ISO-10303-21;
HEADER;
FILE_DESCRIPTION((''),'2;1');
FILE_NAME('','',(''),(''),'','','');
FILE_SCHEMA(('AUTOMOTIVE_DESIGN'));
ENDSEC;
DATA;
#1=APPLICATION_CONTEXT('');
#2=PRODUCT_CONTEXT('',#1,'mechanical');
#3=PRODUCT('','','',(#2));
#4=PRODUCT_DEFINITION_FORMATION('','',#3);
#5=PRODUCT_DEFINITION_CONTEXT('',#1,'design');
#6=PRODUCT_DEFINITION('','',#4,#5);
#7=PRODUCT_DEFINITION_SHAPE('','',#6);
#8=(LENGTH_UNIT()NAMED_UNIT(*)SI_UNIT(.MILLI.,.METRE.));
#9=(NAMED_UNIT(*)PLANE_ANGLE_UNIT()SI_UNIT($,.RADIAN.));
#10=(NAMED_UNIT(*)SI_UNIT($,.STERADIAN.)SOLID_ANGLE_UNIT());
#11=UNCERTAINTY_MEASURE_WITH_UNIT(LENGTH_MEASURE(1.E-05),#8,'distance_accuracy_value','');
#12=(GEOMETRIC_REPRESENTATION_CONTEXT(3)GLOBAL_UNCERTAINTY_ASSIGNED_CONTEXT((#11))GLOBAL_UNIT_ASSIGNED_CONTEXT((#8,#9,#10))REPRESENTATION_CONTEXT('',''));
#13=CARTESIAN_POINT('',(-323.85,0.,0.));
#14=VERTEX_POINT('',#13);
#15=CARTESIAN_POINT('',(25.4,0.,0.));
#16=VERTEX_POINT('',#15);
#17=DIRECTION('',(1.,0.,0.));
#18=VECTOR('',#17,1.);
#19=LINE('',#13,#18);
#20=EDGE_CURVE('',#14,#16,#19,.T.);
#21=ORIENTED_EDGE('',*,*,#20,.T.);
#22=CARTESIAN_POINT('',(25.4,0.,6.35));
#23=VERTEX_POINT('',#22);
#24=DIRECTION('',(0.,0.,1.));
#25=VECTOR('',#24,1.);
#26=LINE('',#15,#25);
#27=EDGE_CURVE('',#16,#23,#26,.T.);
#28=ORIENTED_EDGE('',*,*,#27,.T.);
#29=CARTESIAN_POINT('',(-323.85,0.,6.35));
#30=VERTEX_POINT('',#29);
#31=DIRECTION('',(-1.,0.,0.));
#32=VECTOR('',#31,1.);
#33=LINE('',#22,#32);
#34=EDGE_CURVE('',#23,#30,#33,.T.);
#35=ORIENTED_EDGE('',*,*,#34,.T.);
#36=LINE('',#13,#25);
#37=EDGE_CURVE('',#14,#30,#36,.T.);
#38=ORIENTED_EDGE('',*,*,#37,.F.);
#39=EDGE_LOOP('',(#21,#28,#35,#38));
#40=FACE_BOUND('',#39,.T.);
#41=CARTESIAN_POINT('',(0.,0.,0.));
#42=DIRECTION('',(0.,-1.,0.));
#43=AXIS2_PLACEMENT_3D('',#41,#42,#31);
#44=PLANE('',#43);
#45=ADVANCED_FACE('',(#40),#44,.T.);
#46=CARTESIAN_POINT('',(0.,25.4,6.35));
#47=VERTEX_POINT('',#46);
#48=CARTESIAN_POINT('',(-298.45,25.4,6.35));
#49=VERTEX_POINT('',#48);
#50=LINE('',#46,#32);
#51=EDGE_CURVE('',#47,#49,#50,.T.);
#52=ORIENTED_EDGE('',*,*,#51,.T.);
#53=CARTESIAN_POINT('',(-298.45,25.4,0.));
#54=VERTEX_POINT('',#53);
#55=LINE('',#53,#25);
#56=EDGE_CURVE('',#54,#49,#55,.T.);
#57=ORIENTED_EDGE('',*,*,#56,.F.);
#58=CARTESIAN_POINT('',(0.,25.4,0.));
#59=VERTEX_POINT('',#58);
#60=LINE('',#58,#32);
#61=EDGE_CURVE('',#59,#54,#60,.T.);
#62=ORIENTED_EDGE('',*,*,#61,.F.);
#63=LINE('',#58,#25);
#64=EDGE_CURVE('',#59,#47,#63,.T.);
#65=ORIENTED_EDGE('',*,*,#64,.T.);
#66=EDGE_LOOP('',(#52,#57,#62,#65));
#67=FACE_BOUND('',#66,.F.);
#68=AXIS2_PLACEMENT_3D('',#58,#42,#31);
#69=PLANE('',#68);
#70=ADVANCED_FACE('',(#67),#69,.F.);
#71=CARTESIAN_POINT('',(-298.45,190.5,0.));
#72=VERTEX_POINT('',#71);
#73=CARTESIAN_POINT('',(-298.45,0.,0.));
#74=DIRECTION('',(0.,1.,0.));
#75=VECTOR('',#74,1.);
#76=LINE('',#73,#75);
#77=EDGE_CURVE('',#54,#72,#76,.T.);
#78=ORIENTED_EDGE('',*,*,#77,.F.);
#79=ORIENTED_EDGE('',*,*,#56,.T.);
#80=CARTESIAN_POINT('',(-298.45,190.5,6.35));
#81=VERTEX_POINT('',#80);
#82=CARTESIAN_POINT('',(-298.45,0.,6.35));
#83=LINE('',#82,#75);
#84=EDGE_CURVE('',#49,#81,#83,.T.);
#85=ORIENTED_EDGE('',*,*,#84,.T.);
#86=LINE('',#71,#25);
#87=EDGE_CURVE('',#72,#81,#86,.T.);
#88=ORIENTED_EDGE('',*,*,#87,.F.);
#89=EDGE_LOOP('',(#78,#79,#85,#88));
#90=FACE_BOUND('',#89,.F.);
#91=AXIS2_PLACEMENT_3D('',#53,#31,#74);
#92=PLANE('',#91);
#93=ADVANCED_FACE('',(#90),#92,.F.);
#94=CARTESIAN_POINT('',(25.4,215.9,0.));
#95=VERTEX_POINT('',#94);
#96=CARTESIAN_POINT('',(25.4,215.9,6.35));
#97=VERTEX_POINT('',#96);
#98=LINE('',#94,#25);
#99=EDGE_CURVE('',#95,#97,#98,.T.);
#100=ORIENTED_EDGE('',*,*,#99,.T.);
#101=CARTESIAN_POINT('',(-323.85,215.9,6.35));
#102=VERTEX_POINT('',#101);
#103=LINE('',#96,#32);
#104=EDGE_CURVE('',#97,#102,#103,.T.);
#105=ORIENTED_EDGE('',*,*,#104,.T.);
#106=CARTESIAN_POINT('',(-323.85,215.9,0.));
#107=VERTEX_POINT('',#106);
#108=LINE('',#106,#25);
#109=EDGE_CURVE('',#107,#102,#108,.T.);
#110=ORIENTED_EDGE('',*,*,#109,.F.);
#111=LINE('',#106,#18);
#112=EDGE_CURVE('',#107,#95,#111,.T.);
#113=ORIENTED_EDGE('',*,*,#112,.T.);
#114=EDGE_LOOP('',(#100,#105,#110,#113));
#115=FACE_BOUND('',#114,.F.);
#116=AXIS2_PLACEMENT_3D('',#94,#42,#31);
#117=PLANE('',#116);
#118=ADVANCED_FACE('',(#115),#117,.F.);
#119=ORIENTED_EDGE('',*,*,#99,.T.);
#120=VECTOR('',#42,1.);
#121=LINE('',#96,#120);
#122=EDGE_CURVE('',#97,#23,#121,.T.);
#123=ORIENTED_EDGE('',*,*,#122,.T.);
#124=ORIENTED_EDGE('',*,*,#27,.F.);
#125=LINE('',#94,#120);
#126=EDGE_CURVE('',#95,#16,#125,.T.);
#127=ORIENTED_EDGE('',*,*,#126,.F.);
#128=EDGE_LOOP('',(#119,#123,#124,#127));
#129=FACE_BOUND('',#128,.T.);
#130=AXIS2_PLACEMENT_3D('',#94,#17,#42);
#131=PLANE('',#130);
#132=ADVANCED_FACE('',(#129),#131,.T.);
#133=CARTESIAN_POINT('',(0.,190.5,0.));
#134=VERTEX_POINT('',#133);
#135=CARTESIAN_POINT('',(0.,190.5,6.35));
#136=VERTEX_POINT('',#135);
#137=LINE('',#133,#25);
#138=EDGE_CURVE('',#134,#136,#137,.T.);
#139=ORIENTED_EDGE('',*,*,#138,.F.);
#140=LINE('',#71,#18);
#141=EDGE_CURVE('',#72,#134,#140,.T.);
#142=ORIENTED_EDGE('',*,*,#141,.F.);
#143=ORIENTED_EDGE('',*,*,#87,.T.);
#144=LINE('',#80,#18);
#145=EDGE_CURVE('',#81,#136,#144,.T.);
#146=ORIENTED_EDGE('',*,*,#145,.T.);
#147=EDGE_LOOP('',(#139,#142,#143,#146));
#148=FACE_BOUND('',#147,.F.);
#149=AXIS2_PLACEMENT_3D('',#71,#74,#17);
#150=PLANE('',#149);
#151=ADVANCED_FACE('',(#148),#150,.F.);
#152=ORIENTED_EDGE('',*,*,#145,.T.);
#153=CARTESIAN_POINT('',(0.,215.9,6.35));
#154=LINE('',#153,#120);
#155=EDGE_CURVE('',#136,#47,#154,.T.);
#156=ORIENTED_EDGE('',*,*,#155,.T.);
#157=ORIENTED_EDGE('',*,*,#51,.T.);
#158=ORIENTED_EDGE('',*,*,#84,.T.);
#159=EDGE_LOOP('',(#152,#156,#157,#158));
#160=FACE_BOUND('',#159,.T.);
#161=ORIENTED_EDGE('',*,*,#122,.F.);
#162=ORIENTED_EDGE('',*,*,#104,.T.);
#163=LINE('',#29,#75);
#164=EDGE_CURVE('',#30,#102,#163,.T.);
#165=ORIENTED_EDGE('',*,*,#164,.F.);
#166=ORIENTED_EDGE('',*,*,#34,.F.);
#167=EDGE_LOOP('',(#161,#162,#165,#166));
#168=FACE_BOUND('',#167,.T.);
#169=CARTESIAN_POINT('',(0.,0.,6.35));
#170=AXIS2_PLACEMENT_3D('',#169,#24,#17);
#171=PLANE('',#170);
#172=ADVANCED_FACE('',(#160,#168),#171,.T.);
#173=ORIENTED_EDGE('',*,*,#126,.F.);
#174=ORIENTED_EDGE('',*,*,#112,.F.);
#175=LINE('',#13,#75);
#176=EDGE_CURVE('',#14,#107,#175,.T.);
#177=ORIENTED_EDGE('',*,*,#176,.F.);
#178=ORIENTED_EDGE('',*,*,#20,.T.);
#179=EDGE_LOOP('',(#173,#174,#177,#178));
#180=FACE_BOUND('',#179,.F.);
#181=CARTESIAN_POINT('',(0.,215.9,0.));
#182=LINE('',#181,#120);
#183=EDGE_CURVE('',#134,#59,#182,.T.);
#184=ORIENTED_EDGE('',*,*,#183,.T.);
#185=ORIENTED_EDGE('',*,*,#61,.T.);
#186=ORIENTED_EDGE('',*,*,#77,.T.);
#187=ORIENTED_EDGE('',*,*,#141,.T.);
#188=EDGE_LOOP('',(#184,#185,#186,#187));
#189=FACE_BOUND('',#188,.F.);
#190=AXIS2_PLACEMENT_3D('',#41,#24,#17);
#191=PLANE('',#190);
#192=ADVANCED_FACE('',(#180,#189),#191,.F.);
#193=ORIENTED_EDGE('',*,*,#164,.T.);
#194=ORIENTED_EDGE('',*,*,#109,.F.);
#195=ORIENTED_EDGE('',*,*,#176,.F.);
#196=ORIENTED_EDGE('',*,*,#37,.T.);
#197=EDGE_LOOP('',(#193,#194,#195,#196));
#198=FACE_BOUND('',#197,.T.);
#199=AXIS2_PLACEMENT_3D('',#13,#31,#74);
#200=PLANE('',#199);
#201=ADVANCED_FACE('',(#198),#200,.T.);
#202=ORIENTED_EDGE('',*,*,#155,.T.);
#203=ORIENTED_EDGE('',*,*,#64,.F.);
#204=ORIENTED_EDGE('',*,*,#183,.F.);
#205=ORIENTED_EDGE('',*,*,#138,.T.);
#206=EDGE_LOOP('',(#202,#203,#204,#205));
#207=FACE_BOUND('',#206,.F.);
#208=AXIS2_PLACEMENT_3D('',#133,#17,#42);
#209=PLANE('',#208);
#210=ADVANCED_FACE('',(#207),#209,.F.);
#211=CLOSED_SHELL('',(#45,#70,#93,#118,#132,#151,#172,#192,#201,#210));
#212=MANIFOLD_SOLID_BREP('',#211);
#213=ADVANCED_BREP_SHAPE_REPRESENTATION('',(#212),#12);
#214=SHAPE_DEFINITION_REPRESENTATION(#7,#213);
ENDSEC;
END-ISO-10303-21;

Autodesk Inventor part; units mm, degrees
ref_plane "YZ Plane" through (0, 0, 0) normal (1, 0, 0) x (0, 1, 0)
ref_plane "XZ Plane" through (0, 0, 0) normal (0, 1, 0) x (-1, 0, 0)
ref_plane "XY Plane" through (0, 0, 0) normal (0, 0, 1) x (1, 0, 0)
sketch "Sketch1" plane through (0, 0, 0) normal (0, 0, 1) x (1, 0, 0)
  line L0 (0, 0) -> (0, 25.4) projected
  line L1 (0, 25.4) -> (-298.45, 25.4) projected
  line L2 (-298.45, 0) -> (-298.45, 25.4) projected
  line L3 (0, 0) -> (-298.45, 0) projected
  line L4 (-323.85, 0) -> (-298.45, 0) projected
  line L5 (-298.45, 0) -> (-298.45, 215.9) projected
  line L6 (-323.85, 215.9) -> (-298.45, 215.9) projected
  line L7 (-323.85, 0) -> (-323.85, 215.9) projected
  line L8 (-298.45, 215.9) -> (-298.45, 190.5) projected
  line L9 (-298.45, 190.5) -> (0, 190.5) projected
  line L10 (0, 215.9) -> (0, 190.5) projected
  line L11 (-298.45, 215.9) -> (0, 215.9) projected
  line L12 (25.4, 215.9) -> (0, 215.9) projected
  line L13 (0, 215.9) -> (0, 0) projected
  line L14 (25.4, 0) -> (0, 0) projected
  line L15 (25.4, 215.9) -> (25.4, 0) projected
  line L16 (-323.85, 0) -> (25.4, 0)
  line L17 (25.4, 0) -> (25.4, 215.9)
  line L18 (25.4, 215.9) -> (-323.85, 215.9)
  line L19 (-323.85, 215.9) -> (-323.85, 0)
  line L20 (0, 25.4) -> (-298.45, 25.4)
  line L21 (-298.45, 25.4) -> (-298.45, 190.5)
  line L22 (-298.45, 190.5) -> (0, 190.5)
  line L23 (0, 190.5) -> (0, 25.4)
  dimension "d0" = 25.4
  dimension "d1" = 25.4
  dimension "d2" = 215.9
  dimension "d3" = 25.4
  dimension "d4" = 25.4
extrude "Extrusion1" add sketch "Sketch1" along normal blind 6.35 contours L3 L2 L1 L0 | L0 L13 L10 L12 L15 L14 | L4 L7 L6 L5 L2 | L9 L5 L11 L10
properties part number "Velcro strip"
